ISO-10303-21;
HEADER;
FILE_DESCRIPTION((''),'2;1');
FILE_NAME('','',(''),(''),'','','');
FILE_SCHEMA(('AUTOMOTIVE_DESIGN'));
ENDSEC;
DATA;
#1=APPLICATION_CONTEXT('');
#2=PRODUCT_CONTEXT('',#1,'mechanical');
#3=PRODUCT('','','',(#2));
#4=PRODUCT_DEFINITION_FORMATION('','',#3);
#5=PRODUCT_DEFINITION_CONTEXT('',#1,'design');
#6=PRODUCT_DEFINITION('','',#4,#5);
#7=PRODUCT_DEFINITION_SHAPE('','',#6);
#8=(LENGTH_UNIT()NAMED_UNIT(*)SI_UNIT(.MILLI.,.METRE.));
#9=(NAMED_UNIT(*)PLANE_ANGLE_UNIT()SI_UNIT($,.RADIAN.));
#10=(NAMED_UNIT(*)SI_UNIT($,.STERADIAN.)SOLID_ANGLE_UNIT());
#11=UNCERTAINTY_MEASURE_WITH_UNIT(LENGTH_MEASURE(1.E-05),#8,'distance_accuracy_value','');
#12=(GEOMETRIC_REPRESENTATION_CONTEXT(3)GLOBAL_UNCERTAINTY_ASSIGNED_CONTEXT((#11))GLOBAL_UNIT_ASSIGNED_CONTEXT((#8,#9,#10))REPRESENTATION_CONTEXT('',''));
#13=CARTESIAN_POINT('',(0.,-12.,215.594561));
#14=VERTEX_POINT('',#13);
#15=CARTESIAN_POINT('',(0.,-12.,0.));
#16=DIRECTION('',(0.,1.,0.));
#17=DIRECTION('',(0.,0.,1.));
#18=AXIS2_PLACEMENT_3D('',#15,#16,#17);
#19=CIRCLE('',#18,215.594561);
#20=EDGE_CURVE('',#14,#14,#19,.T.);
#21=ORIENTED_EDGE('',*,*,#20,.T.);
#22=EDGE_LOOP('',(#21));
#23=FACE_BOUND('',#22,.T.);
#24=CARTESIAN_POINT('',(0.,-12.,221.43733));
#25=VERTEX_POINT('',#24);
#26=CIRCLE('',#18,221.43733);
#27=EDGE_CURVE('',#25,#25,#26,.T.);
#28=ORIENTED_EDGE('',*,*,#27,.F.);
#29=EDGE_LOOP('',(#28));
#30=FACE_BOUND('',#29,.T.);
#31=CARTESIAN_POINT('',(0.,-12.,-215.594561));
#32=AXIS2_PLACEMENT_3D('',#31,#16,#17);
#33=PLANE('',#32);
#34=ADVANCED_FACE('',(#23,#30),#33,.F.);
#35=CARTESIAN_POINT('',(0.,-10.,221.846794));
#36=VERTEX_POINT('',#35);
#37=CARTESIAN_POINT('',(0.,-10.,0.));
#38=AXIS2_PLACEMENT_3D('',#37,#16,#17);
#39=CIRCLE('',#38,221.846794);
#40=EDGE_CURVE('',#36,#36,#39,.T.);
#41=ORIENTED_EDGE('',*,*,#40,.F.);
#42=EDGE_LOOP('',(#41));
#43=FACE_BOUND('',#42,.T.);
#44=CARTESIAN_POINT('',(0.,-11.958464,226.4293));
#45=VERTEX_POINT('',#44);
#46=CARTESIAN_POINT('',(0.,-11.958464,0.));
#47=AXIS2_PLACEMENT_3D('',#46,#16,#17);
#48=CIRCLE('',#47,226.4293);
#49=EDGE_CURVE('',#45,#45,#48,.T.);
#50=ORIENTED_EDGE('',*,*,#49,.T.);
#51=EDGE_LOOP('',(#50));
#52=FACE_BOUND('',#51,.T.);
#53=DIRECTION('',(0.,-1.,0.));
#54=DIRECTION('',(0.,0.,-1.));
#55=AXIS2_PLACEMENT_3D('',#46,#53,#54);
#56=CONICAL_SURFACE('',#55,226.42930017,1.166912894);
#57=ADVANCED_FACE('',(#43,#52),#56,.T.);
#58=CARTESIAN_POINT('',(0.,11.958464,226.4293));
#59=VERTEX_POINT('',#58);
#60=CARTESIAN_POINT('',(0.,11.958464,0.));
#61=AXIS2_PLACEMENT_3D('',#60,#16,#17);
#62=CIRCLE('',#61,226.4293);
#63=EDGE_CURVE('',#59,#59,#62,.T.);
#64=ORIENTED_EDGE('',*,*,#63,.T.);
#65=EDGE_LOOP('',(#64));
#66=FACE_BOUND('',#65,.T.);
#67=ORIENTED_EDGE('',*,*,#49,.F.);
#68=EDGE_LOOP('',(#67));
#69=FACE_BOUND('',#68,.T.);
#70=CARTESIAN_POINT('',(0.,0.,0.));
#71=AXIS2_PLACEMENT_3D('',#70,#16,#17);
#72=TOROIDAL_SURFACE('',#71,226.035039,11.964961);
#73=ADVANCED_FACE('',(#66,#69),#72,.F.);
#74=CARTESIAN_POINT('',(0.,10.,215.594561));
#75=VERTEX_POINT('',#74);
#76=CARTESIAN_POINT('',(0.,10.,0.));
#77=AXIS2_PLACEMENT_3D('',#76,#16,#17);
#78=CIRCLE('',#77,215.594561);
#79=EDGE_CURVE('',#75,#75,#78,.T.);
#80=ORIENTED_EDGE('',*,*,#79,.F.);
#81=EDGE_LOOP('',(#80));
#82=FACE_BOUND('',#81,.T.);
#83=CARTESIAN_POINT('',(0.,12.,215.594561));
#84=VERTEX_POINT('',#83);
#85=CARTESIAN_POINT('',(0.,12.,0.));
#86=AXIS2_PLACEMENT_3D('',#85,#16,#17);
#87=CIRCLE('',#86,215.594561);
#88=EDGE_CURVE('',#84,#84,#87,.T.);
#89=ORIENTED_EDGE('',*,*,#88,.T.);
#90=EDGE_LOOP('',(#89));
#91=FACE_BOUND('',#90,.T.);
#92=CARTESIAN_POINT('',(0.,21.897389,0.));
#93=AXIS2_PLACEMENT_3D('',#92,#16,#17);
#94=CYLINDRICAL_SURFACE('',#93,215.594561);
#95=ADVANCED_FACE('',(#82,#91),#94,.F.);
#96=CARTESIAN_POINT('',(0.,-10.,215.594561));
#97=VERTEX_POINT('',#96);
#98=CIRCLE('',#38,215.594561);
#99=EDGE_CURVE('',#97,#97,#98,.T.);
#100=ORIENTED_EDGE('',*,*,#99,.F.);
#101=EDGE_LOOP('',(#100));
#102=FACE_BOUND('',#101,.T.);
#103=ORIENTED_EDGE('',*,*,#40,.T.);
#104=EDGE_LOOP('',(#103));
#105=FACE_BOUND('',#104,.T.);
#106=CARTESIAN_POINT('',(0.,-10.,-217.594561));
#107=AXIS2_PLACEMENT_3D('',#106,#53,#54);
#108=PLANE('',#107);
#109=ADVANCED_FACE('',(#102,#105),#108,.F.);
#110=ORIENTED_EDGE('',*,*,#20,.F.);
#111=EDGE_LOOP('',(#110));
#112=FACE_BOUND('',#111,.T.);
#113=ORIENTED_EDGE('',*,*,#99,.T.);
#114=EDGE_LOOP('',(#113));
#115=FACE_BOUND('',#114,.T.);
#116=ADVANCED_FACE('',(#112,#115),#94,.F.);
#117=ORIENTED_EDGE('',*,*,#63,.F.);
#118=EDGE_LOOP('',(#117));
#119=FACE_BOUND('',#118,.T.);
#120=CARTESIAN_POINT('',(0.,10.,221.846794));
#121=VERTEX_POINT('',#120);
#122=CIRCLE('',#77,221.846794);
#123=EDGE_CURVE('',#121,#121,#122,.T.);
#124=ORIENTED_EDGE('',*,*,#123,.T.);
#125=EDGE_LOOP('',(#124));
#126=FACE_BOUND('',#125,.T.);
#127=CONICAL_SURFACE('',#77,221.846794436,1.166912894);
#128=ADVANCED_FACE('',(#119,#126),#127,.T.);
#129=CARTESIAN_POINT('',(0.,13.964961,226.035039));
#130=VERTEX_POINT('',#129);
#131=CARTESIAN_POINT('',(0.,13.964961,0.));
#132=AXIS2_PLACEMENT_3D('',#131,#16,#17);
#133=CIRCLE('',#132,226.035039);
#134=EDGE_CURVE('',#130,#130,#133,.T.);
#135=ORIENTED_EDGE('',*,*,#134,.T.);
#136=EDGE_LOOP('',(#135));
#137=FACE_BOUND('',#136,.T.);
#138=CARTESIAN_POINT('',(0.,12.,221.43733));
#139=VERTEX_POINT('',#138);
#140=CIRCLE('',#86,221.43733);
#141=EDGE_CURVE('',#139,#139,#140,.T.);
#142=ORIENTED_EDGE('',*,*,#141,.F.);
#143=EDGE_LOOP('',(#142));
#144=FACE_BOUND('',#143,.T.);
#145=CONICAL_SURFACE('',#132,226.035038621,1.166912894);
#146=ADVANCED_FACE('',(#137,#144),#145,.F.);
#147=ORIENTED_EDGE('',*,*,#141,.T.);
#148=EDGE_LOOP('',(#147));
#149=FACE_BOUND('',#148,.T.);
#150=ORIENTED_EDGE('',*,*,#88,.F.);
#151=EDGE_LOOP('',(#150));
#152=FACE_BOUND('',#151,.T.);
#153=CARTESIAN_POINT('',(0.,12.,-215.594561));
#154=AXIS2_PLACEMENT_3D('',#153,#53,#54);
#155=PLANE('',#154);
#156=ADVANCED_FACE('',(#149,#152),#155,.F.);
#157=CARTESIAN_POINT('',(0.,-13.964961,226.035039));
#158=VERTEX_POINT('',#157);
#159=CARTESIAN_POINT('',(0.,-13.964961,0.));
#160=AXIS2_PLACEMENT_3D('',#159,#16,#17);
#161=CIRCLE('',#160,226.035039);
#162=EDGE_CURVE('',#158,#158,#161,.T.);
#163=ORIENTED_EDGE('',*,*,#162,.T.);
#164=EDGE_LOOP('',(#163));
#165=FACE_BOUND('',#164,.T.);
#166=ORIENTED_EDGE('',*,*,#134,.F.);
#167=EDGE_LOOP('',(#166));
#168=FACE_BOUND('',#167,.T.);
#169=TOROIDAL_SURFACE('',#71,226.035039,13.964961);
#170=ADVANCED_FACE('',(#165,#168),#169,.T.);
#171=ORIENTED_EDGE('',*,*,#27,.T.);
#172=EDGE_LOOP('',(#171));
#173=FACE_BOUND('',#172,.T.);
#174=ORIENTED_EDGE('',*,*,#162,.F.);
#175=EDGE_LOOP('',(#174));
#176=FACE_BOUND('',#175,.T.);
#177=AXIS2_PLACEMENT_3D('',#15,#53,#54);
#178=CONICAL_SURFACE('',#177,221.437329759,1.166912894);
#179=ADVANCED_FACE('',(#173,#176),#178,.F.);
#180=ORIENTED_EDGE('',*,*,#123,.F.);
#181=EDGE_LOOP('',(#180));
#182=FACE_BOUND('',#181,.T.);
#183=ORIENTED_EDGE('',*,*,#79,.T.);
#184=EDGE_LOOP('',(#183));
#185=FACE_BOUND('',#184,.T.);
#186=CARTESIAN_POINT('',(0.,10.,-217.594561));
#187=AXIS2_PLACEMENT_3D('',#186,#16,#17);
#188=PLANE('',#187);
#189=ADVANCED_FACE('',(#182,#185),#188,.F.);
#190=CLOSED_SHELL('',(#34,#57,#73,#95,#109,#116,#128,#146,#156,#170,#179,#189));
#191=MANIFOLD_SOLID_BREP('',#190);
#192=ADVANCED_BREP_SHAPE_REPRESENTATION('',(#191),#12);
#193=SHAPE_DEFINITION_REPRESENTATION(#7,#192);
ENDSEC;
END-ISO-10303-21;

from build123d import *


with BuildPart() as part:
    # Sketch1 → Revolve1 (revolve)
    with BuildSketch(Plane(origin=(0, 0, 0), x_dir=(0, 0, -1), z_dir=(1, 0, 0)), mode=Mode.PRIVATE) as revolve1_sk:
        with BuildLine():
            Line((217.594560556, -10), (215.594560556, -10))
            Line((215.594560556, -10), (215.594560556, -12))
            Line((215.594560556, -12), (221.437329759, -12))
            Line((221.437329759, -12), (226.035038621, -13.964961379))
            ThreePointArc((226.035038621, -13.964961379), (240, 0), (226.035038621, 13.964961379))
            Line((226.035038621, 13.964961379), (221.437329759, 12))
            Line((221.437329759, 12), (215.594560556, 12))
            Line((215.594560556, 12), (215.594560556, 10))
            Line((215.594560556, 10), (217.594560556, 10))
            Line((217.594560556, 10), (221.846794436, 10))
            Line((221.846794436, 10), (226.42930017, 11.958463891))
            ThreePointArc((226.42930017, 11.958463891), (238, 0), (226.42930017, -11.958463891))
            Line((226.42930017, -11.958463891), (221.846794436, -10))
            Line((221.846794436, -10), (217.594560556, -10))
        make_face()
    revolve(revolve1_sk.sketch.rotate(Axis((0, 21.897389464, 0), (0, -1, 0)), 180), axis=Axis((0, 21.897389464, 0), (0, -1, 0)))


solid = part.part
